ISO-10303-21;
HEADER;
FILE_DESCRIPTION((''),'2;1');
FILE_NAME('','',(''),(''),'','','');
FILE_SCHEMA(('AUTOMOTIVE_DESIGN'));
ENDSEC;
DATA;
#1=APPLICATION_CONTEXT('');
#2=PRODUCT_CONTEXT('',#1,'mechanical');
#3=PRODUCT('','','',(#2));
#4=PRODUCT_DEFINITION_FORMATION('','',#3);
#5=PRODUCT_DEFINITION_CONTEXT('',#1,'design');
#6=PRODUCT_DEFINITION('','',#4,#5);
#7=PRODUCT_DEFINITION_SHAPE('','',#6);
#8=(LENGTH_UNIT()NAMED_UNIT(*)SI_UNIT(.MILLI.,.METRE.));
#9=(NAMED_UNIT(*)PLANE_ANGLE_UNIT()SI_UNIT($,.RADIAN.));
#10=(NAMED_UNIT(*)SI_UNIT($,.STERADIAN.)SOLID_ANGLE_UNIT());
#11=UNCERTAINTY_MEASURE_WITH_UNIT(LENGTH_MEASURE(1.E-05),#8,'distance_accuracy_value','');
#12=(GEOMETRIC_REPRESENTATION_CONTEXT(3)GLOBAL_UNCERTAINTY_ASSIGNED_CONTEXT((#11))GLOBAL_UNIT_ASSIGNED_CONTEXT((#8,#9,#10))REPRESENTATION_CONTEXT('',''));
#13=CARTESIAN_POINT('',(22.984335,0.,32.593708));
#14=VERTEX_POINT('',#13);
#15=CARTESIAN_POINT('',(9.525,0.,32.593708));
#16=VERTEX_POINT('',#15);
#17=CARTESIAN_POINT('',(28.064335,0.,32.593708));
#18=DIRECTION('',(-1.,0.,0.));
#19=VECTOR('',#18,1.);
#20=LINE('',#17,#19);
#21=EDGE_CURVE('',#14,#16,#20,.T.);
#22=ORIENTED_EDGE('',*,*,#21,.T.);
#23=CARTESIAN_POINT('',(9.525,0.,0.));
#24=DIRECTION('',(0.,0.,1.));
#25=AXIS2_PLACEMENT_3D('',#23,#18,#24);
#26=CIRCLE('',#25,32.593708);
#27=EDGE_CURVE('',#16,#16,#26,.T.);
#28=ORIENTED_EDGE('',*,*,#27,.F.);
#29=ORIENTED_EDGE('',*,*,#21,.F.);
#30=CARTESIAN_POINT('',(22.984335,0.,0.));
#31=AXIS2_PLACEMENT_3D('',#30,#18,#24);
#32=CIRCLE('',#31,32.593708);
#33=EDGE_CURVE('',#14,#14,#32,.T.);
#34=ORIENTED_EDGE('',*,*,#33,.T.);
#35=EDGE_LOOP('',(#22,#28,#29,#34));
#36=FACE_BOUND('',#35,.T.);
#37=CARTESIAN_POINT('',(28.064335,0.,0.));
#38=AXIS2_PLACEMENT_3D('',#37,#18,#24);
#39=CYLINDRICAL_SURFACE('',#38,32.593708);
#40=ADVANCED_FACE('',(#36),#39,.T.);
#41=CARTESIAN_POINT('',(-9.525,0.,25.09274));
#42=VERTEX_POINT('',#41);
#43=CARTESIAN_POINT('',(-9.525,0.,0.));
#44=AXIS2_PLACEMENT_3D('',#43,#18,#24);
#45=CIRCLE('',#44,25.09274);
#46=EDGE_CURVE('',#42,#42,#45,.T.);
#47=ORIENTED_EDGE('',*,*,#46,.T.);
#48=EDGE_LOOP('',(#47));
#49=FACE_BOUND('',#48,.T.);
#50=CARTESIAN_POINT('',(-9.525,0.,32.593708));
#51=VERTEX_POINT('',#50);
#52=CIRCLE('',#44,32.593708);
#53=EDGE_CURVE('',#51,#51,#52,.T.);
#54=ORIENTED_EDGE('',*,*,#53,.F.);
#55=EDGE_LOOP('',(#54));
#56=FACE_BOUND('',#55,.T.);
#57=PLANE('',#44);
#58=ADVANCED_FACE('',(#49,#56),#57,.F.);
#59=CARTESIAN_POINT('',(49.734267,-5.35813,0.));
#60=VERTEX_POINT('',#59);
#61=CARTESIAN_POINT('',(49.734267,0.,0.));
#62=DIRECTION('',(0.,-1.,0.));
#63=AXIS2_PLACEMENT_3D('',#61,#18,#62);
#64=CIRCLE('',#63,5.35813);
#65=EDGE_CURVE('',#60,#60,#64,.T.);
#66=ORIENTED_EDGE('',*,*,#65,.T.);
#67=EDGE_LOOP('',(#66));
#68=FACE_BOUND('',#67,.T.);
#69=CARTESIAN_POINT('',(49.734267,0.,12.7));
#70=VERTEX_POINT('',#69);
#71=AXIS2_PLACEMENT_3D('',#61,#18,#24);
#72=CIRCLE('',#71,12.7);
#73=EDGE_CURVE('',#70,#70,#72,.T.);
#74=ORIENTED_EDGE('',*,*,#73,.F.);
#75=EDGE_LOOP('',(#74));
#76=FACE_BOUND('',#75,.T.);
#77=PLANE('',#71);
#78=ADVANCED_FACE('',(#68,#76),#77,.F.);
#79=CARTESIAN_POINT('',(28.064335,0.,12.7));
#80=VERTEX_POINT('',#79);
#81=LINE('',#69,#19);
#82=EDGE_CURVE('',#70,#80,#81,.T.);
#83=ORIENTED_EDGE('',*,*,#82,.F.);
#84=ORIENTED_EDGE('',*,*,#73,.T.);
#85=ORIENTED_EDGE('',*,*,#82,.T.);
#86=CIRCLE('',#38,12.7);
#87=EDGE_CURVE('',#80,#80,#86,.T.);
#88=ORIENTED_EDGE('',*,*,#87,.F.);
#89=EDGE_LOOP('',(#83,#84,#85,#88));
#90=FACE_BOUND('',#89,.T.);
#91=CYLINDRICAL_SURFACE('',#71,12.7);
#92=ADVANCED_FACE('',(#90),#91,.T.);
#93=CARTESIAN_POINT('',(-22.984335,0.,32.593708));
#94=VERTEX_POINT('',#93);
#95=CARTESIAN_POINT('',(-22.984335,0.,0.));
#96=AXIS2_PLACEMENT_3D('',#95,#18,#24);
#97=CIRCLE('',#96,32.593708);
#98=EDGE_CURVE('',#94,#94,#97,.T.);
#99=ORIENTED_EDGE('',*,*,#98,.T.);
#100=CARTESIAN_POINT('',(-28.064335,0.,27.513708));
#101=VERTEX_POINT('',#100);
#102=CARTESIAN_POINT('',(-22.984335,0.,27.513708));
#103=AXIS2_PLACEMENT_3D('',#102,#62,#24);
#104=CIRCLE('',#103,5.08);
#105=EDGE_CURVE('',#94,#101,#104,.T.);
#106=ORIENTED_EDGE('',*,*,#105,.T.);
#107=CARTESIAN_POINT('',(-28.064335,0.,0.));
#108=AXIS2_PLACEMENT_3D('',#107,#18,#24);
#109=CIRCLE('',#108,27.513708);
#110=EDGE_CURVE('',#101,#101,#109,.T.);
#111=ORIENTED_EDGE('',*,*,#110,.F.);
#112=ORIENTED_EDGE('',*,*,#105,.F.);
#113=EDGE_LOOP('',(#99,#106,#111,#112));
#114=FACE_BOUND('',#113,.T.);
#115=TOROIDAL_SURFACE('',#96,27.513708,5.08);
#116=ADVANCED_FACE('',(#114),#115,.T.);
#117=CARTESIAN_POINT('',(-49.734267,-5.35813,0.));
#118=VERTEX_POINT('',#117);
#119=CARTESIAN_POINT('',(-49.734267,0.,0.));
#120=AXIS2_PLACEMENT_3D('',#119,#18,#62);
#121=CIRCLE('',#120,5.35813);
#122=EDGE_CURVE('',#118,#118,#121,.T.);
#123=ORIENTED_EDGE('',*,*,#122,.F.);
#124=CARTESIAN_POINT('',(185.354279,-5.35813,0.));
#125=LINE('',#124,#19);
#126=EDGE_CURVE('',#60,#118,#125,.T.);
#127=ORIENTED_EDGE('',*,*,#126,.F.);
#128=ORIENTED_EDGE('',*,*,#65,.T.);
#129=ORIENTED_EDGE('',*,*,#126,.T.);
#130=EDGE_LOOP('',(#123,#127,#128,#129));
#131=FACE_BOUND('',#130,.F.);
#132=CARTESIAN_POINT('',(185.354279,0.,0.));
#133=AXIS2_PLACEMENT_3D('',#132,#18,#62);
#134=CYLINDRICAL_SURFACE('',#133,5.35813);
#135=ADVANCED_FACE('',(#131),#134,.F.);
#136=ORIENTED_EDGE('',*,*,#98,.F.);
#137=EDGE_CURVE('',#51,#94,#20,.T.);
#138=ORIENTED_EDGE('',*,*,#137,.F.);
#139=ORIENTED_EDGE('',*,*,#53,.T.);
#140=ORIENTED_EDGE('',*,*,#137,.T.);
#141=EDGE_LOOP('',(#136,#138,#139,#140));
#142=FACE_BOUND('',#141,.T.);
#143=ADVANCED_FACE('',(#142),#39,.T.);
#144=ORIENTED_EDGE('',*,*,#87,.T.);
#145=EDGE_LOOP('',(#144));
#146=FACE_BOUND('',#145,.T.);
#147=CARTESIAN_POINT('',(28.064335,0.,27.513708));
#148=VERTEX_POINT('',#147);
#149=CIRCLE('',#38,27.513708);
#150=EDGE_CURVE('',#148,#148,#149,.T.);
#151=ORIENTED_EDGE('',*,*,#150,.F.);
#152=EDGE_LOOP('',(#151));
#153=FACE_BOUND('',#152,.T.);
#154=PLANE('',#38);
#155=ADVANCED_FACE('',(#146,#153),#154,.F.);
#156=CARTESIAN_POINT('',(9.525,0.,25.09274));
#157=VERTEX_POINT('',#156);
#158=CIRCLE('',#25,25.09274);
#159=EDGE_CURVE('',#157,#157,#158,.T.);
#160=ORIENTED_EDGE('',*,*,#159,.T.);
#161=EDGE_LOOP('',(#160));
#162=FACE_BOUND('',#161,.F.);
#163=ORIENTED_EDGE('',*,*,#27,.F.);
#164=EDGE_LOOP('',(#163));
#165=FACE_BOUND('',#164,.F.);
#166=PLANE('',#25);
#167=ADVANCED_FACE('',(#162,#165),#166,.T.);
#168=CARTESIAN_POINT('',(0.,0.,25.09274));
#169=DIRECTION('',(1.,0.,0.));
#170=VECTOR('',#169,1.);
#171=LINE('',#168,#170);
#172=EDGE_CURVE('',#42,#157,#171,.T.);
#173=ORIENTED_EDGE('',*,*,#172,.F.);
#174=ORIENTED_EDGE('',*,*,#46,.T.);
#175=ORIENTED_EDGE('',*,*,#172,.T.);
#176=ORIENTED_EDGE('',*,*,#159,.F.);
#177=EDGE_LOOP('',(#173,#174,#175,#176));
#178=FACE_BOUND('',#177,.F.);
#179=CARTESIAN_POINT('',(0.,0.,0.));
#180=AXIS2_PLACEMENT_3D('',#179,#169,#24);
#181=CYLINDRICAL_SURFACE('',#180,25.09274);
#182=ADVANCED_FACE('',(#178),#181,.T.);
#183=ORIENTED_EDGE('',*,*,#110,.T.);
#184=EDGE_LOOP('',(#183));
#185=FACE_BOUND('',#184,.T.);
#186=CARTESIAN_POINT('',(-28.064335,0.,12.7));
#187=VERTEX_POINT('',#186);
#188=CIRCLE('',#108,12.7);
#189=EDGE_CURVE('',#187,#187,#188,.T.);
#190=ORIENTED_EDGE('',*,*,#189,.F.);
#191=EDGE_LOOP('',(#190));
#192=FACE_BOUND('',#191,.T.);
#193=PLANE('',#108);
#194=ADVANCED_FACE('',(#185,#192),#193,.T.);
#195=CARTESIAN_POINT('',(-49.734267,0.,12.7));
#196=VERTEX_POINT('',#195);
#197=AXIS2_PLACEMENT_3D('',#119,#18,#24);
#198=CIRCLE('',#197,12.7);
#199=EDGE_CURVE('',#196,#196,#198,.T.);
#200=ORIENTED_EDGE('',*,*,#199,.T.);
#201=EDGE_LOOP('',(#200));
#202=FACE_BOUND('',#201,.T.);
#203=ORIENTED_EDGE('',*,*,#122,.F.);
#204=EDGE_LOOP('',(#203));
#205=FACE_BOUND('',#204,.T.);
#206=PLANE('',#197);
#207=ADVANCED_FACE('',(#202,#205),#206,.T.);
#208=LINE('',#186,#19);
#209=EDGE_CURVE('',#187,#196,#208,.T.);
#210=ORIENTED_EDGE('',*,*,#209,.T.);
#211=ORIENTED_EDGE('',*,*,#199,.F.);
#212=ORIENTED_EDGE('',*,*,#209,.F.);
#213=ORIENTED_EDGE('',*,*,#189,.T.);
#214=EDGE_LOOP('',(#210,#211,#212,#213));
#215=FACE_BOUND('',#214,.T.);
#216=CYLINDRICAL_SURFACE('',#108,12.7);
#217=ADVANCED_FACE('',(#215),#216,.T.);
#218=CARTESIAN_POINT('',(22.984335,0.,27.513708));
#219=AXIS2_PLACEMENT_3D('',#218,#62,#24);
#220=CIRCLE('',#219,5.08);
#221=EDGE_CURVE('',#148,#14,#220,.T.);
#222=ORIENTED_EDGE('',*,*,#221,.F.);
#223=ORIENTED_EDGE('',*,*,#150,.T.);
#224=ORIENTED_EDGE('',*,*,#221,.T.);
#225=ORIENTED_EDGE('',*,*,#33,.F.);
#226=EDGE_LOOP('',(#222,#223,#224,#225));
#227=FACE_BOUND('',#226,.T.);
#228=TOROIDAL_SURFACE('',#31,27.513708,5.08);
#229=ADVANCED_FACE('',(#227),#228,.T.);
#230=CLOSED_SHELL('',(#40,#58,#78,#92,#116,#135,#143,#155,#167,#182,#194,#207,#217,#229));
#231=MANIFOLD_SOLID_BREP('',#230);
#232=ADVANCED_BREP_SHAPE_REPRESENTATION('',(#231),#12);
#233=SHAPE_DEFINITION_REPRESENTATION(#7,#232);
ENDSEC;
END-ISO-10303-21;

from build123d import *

# Parameters (mm, degrees)
F2_R = 5.08
F3_W = 19.05
F3_H = 9.8322601712
F6_D = 10.71626


with BuildPart() as f1:
    # F0 (on Front) → F1 (revolve)
    with BuildSketch(Plane.XZ):
        Polygon((-49.7342673447, 12.7), (-49.7342673447, 0), (49.7342673447, 0), (49.7342673447, 12.7), (28.0643354135, 12.7), (28.0643354135, 32.593707693), (-28.0643354135, 32.593707693), (-28.0643354135, 12.7), align=None)
    revolve(axis=Axis((0, 0, 0), (-1, 0, 0)))

    # F2
    f2_edges = [f1.edges().sort_by_distance(p)[0] for p in [
        (28.064335, 0, -32.593708),
        (-28.064335, 0, -32.593708),
    ]]
    fillet(f2_edges, radius=F2_R)

    # F3 (on Front) → F4 (revolve, cut)
    with BuildSketch(Plane.XZ):
        with Locations((0, 30.0088699144)):
            Rectangle(F3_W, F3_H)
    revolve(axis=Axis((28.0643354135, 0, 0), (-1, 0, 0)), mode=Mode.SUBTRACT)

    # F6 (through all)
    with Locations(Plane.YZ.offset(49.7342673447)):
        with Locations((0, 0)):
            Hole(F6_D / 2)


solid = f1.part
